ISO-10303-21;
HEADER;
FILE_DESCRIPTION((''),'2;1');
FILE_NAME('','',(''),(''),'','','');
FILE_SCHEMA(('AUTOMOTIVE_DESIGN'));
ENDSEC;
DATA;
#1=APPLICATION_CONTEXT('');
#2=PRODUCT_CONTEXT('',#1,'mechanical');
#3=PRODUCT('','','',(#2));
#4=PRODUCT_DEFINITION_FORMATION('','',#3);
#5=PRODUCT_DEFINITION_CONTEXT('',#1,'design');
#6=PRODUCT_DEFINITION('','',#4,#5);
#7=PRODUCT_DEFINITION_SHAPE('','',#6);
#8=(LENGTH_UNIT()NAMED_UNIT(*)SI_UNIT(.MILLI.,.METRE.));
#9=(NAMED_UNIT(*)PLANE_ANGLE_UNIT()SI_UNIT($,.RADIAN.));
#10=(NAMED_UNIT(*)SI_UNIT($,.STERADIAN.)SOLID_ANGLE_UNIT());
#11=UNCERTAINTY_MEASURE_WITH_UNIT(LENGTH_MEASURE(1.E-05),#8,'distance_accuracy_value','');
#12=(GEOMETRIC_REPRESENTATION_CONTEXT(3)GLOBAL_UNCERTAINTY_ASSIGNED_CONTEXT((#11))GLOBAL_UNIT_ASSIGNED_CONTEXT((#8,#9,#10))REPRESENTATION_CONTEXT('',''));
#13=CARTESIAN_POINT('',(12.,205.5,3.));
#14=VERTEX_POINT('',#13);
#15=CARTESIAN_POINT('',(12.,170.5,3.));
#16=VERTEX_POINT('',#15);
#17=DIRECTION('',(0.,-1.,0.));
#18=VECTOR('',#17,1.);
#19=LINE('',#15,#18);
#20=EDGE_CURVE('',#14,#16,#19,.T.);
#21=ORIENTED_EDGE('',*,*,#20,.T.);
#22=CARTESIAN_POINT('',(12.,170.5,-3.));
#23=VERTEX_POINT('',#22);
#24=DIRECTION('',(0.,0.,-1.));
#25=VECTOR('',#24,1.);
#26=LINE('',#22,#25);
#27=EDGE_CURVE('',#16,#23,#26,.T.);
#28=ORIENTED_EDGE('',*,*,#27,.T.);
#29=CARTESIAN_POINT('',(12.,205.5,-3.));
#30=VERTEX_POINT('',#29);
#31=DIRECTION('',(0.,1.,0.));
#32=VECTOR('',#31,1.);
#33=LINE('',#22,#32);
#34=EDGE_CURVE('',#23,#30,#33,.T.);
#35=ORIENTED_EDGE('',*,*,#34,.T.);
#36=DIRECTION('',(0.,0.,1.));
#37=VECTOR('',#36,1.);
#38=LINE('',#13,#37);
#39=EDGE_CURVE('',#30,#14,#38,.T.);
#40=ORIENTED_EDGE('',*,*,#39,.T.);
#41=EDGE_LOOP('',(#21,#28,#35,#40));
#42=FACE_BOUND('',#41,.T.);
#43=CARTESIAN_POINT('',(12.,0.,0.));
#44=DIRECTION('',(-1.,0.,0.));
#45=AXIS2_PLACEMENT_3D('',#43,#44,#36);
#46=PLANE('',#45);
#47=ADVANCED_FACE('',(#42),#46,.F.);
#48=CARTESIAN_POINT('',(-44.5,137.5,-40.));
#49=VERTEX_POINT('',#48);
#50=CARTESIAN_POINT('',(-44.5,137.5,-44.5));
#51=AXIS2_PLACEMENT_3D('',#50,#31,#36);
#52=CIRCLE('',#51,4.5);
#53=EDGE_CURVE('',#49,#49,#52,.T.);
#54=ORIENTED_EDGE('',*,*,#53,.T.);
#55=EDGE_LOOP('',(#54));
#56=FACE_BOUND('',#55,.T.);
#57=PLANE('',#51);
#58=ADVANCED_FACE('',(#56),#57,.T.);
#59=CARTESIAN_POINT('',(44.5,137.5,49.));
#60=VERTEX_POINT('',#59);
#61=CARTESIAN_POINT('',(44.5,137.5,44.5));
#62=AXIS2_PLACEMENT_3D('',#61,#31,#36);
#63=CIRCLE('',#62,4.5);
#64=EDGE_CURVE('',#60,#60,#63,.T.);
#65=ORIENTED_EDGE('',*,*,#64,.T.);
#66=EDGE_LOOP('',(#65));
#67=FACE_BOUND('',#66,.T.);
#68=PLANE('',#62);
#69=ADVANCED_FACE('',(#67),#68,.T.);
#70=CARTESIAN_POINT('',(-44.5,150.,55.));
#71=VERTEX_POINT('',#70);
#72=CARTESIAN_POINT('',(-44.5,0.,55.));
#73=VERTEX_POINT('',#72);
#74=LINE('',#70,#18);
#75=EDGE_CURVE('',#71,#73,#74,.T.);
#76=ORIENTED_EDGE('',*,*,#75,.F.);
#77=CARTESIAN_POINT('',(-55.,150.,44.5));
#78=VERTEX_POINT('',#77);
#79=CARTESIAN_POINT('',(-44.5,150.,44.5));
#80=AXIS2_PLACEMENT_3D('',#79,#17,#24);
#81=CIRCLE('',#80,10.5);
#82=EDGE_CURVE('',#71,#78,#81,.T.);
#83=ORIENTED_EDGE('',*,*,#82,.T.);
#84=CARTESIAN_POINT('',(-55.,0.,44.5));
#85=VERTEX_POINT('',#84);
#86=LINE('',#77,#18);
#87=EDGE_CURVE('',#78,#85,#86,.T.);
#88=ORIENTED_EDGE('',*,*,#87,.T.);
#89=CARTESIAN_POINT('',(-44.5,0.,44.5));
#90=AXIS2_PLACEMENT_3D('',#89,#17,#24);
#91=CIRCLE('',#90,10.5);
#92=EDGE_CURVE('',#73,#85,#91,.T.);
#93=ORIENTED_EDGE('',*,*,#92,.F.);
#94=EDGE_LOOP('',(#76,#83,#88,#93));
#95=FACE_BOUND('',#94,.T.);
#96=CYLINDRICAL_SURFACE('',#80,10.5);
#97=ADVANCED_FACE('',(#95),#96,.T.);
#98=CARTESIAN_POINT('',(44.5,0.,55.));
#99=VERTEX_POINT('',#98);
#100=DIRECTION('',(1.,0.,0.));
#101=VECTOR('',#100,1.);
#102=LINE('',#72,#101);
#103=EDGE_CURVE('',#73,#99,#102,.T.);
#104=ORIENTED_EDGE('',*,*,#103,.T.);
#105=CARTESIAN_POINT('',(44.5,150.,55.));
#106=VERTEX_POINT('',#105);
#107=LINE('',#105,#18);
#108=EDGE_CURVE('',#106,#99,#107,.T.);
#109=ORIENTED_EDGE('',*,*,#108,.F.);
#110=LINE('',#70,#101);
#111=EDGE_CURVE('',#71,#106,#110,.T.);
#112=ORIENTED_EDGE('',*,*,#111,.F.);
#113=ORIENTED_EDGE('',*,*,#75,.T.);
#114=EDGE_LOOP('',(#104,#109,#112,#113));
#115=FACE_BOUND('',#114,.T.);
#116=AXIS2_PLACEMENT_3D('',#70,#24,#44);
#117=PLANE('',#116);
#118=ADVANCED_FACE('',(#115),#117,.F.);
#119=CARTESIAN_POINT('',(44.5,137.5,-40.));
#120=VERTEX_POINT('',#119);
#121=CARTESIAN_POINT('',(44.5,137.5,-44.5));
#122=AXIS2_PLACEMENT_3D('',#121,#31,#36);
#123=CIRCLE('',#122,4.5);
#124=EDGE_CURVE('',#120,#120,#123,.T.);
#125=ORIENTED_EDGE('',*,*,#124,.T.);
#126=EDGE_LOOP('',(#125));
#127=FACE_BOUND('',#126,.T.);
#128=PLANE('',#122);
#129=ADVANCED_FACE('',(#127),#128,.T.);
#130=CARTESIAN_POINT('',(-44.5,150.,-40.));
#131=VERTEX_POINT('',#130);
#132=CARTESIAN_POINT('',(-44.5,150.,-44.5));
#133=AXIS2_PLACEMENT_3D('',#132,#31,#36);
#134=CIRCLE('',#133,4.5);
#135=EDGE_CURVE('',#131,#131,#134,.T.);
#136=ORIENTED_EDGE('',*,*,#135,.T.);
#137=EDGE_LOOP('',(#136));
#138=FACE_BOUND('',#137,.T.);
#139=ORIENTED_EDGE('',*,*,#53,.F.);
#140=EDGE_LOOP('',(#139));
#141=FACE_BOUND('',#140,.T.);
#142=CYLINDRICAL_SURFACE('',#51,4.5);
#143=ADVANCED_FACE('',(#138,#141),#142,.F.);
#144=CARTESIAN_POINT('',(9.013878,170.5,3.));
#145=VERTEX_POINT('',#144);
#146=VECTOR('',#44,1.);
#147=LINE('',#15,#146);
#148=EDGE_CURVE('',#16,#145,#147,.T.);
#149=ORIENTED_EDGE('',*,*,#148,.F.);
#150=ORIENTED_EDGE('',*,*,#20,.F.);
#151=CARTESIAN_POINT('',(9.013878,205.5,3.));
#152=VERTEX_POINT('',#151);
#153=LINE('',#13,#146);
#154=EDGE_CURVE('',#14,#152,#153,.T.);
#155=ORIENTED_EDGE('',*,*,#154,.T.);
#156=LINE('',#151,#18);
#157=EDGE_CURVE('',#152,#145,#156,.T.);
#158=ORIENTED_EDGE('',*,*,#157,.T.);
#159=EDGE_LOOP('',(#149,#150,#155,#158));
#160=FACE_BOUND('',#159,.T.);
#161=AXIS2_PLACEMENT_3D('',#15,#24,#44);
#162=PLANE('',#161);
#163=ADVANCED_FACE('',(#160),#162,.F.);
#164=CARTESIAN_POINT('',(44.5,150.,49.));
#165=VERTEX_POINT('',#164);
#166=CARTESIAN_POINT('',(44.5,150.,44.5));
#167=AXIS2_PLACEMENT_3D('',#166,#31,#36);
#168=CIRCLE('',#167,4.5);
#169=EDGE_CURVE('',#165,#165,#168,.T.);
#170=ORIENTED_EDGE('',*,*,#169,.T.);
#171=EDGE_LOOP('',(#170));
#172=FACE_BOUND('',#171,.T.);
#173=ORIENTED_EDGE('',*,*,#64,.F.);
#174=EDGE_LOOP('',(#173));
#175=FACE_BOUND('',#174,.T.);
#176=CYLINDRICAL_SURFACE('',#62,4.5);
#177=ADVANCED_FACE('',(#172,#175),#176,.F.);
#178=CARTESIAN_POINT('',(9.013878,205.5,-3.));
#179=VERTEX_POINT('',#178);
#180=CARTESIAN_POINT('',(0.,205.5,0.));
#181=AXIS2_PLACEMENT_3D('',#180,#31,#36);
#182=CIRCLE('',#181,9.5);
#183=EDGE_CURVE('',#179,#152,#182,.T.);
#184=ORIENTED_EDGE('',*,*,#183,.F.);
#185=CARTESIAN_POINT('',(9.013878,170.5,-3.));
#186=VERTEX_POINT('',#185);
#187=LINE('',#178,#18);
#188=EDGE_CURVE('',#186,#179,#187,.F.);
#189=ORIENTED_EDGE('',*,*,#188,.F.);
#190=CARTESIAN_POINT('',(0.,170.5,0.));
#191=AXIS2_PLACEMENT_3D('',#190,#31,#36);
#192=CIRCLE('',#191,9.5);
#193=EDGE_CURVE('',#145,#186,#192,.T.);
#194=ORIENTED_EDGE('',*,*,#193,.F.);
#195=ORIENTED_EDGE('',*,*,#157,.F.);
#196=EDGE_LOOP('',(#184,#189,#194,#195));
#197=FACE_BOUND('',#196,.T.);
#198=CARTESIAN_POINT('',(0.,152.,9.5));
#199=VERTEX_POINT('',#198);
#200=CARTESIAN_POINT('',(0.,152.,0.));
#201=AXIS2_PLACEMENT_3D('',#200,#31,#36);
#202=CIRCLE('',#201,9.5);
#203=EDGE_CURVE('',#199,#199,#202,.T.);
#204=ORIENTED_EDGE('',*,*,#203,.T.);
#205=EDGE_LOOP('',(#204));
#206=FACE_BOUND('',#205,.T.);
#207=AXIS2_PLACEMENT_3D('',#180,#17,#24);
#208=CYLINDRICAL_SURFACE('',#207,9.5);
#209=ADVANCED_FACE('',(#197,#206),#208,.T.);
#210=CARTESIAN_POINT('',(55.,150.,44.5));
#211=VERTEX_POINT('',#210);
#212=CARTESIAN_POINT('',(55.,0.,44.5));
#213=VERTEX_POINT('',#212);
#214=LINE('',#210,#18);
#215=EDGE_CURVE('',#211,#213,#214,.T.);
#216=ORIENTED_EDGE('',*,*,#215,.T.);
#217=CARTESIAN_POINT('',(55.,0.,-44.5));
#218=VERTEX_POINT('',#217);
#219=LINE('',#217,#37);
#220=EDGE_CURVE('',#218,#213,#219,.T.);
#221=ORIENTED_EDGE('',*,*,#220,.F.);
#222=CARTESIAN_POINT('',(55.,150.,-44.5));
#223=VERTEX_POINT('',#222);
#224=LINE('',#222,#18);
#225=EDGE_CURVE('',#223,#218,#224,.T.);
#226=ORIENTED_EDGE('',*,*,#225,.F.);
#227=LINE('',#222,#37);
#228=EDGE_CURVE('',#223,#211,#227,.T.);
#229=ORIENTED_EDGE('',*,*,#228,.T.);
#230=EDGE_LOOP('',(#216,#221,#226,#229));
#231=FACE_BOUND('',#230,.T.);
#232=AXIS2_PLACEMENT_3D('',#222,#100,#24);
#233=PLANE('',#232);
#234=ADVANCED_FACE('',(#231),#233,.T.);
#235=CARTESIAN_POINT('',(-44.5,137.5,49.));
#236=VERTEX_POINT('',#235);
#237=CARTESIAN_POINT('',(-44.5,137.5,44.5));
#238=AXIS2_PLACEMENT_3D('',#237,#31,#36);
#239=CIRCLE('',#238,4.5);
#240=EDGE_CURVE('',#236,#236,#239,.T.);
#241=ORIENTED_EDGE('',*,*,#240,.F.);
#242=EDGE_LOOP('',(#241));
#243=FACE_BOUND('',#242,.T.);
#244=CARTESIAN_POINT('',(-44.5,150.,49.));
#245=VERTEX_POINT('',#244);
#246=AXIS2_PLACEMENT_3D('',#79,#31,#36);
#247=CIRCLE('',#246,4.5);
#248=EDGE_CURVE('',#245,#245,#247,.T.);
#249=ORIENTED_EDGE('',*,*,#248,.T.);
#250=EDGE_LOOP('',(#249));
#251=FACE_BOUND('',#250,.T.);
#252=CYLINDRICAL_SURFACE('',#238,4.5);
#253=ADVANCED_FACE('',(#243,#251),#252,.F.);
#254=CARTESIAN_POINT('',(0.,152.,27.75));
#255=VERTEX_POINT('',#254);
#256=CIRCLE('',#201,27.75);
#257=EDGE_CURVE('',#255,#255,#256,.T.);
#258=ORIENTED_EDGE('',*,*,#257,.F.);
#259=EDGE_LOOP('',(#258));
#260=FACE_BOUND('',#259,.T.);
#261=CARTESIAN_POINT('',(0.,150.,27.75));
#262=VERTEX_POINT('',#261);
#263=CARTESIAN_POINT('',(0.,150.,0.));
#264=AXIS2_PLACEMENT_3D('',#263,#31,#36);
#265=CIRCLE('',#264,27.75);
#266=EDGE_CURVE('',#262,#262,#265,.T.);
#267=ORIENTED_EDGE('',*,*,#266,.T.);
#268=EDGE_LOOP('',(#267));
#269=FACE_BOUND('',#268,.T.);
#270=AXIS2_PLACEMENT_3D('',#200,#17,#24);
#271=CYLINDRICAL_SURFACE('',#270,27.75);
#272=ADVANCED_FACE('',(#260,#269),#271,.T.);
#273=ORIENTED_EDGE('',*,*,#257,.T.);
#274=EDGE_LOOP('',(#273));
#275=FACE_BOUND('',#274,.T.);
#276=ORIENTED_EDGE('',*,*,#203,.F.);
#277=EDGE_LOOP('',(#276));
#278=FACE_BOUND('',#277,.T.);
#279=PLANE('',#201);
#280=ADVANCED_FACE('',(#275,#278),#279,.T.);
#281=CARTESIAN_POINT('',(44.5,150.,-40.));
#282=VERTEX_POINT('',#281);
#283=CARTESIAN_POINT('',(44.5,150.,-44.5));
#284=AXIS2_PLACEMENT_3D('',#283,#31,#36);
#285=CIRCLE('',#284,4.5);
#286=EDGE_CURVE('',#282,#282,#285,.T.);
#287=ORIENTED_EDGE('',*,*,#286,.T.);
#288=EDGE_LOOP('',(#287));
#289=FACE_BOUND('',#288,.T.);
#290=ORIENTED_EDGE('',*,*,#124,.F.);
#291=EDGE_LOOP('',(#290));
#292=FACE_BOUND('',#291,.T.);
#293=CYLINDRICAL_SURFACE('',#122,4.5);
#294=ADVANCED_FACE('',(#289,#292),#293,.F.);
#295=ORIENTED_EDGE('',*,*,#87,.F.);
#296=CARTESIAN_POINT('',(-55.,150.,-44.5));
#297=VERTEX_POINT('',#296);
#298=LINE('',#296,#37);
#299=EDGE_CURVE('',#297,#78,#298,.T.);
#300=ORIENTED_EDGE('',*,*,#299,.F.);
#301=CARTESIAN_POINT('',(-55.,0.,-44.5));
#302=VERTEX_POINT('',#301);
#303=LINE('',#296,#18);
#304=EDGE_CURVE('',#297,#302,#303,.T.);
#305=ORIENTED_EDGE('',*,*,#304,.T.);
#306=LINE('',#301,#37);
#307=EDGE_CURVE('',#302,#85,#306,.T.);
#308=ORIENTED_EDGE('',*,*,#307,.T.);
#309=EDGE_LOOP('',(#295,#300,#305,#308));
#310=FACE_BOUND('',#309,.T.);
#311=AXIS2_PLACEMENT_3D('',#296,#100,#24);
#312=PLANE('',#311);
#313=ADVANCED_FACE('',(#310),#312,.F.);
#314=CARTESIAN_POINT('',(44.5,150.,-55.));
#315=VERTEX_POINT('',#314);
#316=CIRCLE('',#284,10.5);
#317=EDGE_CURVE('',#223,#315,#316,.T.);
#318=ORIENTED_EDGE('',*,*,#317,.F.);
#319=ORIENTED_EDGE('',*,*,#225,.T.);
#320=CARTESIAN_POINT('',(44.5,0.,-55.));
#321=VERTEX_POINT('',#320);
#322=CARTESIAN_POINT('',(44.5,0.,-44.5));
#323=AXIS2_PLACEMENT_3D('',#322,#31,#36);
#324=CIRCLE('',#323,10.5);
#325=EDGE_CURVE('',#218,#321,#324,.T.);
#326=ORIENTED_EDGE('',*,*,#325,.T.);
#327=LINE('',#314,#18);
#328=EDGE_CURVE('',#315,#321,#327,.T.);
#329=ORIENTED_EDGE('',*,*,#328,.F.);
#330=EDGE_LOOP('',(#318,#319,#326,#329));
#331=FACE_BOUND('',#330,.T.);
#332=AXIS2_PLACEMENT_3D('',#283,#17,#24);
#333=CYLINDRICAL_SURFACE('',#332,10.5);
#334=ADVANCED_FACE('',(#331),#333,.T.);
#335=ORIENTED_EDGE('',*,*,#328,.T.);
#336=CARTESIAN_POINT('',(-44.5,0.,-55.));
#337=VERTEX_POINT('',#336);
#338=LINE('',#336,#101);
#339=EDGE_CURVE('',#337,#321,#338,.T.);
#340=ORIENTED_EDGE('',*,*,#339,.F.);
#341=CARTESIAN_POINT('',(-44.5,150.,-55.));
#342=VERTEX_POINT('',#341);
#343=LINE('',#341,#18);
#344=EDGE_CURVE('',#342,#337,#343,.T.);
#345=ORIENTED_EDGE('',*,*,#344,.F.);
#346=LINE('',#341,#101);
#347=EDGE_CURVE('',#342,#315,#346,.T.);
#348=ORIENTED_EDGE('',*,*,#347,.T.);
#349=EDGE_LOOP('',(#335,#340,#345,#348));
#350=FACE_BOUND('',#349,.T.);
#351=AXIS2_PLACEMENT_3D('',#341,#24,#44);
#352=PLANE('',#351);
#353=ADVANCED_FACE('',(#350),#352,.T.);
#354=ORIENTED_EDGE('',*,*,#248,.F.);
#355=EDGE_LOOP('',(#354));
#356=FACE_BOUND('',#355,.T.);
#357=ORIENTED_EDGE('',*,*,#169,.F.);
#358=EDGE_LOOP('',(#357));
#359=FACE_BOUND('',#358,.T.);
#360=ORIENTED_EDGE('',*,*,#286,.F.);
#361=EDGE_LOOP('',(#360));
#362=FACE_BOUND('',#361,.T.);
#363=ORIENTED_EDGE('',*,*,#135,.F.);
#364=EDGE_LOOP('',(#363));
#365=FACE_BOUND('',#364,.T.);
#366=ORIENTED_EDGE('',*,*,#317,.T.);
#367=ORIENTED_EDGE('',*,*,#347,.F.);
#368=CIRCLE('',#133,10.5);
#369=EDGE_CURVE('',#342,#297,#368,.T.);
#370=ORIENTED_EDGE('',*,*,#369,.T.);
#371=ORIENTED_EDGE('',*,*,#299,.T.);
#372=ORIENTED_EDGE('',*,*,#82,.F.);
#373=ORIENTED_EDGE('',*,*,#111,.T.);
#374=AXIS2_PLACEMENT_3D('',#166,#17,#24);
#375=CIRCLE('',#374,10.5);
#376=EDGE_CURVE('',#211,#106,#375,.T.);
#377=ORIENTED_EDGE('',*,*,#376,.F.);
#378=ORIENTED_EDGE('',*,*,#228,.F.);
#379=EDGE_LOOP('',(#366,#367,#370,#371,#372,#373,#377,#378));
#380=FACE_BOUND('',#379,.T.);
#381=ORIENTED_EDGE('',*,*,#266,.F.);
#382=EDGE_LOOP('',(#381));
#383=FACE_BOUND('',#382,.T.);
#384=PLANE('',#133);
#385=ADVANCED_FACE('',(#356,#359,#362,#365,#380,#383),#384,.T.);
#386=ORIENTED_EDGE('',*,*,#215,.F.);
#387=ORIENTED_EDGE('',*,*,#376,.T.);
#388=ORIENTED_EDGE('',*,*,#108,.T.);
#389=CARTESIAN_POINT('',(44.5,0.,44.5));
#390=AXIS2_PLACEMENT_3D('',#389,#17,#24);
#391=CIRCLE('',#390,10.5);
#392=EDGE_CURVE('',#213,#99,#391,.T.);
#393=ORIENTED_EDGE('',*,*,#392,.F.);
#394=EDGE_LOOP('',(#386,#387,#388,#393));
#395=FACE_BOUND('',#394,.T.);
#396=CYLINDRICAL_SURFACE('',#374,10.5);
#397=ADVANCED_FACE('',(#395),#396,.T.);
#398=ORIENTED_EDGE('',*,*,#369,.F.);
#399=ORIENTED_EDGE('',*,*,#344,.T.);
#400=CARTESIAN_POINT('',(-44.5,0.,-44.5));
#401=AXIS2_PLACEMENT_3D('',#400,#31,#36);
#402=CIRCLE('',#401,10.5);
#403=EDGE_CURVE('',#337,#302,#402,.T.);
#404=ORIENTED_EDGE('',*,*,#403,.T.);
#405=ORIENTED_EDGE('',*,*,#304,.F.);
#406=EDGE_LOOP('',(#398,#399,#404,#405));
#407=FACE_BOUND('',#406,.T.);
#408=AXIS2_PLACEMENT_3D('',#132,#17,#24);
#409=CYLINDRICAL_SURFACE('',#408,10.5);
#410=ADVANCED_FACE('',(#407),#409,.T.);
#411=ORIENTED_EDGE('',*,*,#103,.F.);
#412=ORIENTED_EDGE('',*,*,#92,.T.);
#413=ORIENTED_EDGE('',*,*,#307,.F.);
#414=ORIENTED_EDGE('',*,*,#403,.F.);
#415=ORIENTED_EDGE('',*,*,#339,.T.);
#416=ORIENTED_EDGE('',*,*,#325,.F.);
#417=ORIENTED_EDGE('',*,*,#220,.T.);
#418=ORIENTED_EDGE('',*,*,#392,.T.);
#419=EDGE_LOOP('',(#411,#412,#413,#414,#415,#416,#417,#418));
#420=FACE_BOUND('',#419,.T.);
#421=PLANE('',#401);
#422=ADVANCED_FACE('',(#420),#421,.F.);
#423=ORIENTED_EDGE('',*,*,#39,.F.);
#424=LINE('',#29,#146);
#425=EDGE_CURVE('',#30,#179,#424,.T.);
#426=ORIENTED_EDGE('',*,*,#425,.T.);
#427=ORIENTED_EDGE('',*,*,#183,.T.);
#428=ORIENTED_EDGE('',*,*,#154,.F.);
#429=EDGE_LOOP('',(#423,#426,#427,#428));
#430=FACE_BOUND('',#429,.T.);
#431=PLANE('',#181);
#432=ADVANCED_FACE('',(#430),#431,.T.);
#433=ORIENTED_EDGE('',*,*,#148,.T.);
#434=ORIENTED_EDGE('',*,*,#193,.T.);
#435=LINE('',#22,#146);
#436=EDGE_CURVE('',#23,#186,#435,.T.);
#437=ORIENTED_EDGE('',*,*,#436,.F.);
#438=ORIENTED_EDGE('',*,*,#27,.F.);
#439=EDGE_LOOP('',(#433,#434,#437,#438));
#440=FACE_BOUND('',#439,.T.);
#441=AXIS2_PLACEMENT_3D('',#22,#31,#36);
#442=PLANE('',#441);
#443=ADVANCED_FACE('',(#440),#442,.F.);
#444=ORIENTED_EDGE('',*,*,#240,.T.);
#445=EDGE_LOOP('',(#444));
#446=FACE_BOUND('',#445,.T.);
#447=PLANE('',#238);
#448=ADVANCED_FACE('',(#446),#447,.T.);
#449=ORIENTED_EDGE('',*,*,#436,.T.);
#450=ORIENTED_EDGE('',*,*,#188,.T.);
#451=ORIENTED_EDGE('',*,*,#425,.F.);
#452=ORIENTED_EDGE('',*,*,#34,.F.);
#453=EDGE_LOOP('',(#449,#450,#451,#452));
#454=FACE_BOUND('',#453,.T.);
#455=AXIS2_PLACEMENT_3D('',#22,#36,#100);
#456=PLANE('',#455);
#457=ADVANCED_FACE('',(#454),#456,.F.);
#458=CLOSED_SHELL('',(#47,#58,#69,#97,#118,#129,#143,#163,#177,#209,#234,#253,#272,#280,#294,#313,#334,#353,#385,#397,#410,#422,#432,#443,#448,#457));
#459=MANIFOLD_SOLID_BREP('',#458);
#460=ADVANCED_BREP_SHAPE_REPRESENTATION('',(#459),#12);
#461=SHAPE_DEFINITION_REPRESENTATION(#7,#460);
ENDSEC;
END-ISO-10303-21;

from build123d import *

# Parameters (mm, degrees)
BOSS_EXTRUDE1_DEPTH = 150
SKETCH2_R           = 4.5
CUT_EXTRUDE2_DEPTH  = 12.5
SKETCH3_R           = 9.5
BOSS_EXTRUDE2_DEPTH = 55.5
SKETCH4_R           = 27.75
BOSS_EXTRUDE3_DEPTH = 2
SKETCH5_W           = 6
SKETCH5_H           = 35
BOSS_EXTRUDE4_DEPTH = 12


with BuildPart() as part:
    # Sketch1 → Boss-Extrude1 (new body)
    with BuildSketch(Plane(origin=(0, 0, 0), x_dir=(1, 0, 0), z_dir=(0, 1, 0))):
        with BuildLine():
            Line((-44.5, 55), (44.5, 55))
            ThreePointArc((44.5, 55), (51.924621202, 51.924621202), (55, 44.5))
            Line((55, 44.5), (55, -44.5))
            ThreePointArc((55, -44.5), (51.924621202, -51.924621202), (44.5, -55))
            Line((44.5, -55), (-44.5, -55))
            ThreePointArc((-44.5, -55), (-51.924621202, -51.924621202), (-55, -44.5))
            Line((-55, -44.5), (-55, 44.5))
            ThreePointArc((-55, 44.5), (-51.924621202, 51.924621202), (-44.5, 55))
        make_face()
    extrude(amount=BOSS_EXTRUDE1_DEPTH)

    # Sketch2 → Cut-Extrude2 (cut)
    with BuildSketch(Plane(origin=(0, 150, 0), x_dir=(1, 0, 0), z_dir=(0, 1, 0))):
        with Locations(Location((-44.5, 44.5, 0), (0, 0, 270))):
            Circle(SKETCH2_R)
        with Locations(Location((44.5, 44.5, 0), (0, 0, 270))):
            Circle(SKETCH2_R)
        with Locations(Location((-44.5, -44.5, 0), (0, 0, 270))):
            Circle(SKETCH2_R)
        with Locations(Location((44.5, -44.5, 0), (0, 0, 270))):
            Circle(SKETCH2_R)
    extrude(amount=-CUT_EXTRUDE2_DEPTH, mode=Mode.SUBTRACT)

    # Sketch3 → Boss-Extrude2 (add)
    with BuildSketch(Plane(origin=(0, 150, 0), x_dir=(1, 0, 0), z_dir=(0, 1, 0))):
        with Locations(Location((0, 0, 0), (0, 0, 270))):
            Circle(SKETCH3_R)
    extrude(amount=BOSS_EXTRUDE2_DEPTH)

    # Sketch4 → Boss-Extrude3 (add)
    with BuildSketch(Plane(origin=(0, 150, 0), x_dir=(1, 0, 0), z_dir=(0, 1, 0))):
        with Locations(Location((0, 0, 0), (0, 0, 270))):
            Circle(SKETCH4_R)
    extrude(amount=BOSS_EXTRUDE3_DEPTH)

    # Sketch5 → Boss-Extrude4 (add)
    with BuildSketch(Plane(origin=(0, 0, 0), x_dir=(0, 0, -1), z_dir=(1, 0, 0))):
        with Locations((0, 188)):
            Rectangle(SKETCH5_W, SKETCH5_H)
    extrude(amount=BOSS_EXTRUDE4_DEPTH)


solid = part.part
